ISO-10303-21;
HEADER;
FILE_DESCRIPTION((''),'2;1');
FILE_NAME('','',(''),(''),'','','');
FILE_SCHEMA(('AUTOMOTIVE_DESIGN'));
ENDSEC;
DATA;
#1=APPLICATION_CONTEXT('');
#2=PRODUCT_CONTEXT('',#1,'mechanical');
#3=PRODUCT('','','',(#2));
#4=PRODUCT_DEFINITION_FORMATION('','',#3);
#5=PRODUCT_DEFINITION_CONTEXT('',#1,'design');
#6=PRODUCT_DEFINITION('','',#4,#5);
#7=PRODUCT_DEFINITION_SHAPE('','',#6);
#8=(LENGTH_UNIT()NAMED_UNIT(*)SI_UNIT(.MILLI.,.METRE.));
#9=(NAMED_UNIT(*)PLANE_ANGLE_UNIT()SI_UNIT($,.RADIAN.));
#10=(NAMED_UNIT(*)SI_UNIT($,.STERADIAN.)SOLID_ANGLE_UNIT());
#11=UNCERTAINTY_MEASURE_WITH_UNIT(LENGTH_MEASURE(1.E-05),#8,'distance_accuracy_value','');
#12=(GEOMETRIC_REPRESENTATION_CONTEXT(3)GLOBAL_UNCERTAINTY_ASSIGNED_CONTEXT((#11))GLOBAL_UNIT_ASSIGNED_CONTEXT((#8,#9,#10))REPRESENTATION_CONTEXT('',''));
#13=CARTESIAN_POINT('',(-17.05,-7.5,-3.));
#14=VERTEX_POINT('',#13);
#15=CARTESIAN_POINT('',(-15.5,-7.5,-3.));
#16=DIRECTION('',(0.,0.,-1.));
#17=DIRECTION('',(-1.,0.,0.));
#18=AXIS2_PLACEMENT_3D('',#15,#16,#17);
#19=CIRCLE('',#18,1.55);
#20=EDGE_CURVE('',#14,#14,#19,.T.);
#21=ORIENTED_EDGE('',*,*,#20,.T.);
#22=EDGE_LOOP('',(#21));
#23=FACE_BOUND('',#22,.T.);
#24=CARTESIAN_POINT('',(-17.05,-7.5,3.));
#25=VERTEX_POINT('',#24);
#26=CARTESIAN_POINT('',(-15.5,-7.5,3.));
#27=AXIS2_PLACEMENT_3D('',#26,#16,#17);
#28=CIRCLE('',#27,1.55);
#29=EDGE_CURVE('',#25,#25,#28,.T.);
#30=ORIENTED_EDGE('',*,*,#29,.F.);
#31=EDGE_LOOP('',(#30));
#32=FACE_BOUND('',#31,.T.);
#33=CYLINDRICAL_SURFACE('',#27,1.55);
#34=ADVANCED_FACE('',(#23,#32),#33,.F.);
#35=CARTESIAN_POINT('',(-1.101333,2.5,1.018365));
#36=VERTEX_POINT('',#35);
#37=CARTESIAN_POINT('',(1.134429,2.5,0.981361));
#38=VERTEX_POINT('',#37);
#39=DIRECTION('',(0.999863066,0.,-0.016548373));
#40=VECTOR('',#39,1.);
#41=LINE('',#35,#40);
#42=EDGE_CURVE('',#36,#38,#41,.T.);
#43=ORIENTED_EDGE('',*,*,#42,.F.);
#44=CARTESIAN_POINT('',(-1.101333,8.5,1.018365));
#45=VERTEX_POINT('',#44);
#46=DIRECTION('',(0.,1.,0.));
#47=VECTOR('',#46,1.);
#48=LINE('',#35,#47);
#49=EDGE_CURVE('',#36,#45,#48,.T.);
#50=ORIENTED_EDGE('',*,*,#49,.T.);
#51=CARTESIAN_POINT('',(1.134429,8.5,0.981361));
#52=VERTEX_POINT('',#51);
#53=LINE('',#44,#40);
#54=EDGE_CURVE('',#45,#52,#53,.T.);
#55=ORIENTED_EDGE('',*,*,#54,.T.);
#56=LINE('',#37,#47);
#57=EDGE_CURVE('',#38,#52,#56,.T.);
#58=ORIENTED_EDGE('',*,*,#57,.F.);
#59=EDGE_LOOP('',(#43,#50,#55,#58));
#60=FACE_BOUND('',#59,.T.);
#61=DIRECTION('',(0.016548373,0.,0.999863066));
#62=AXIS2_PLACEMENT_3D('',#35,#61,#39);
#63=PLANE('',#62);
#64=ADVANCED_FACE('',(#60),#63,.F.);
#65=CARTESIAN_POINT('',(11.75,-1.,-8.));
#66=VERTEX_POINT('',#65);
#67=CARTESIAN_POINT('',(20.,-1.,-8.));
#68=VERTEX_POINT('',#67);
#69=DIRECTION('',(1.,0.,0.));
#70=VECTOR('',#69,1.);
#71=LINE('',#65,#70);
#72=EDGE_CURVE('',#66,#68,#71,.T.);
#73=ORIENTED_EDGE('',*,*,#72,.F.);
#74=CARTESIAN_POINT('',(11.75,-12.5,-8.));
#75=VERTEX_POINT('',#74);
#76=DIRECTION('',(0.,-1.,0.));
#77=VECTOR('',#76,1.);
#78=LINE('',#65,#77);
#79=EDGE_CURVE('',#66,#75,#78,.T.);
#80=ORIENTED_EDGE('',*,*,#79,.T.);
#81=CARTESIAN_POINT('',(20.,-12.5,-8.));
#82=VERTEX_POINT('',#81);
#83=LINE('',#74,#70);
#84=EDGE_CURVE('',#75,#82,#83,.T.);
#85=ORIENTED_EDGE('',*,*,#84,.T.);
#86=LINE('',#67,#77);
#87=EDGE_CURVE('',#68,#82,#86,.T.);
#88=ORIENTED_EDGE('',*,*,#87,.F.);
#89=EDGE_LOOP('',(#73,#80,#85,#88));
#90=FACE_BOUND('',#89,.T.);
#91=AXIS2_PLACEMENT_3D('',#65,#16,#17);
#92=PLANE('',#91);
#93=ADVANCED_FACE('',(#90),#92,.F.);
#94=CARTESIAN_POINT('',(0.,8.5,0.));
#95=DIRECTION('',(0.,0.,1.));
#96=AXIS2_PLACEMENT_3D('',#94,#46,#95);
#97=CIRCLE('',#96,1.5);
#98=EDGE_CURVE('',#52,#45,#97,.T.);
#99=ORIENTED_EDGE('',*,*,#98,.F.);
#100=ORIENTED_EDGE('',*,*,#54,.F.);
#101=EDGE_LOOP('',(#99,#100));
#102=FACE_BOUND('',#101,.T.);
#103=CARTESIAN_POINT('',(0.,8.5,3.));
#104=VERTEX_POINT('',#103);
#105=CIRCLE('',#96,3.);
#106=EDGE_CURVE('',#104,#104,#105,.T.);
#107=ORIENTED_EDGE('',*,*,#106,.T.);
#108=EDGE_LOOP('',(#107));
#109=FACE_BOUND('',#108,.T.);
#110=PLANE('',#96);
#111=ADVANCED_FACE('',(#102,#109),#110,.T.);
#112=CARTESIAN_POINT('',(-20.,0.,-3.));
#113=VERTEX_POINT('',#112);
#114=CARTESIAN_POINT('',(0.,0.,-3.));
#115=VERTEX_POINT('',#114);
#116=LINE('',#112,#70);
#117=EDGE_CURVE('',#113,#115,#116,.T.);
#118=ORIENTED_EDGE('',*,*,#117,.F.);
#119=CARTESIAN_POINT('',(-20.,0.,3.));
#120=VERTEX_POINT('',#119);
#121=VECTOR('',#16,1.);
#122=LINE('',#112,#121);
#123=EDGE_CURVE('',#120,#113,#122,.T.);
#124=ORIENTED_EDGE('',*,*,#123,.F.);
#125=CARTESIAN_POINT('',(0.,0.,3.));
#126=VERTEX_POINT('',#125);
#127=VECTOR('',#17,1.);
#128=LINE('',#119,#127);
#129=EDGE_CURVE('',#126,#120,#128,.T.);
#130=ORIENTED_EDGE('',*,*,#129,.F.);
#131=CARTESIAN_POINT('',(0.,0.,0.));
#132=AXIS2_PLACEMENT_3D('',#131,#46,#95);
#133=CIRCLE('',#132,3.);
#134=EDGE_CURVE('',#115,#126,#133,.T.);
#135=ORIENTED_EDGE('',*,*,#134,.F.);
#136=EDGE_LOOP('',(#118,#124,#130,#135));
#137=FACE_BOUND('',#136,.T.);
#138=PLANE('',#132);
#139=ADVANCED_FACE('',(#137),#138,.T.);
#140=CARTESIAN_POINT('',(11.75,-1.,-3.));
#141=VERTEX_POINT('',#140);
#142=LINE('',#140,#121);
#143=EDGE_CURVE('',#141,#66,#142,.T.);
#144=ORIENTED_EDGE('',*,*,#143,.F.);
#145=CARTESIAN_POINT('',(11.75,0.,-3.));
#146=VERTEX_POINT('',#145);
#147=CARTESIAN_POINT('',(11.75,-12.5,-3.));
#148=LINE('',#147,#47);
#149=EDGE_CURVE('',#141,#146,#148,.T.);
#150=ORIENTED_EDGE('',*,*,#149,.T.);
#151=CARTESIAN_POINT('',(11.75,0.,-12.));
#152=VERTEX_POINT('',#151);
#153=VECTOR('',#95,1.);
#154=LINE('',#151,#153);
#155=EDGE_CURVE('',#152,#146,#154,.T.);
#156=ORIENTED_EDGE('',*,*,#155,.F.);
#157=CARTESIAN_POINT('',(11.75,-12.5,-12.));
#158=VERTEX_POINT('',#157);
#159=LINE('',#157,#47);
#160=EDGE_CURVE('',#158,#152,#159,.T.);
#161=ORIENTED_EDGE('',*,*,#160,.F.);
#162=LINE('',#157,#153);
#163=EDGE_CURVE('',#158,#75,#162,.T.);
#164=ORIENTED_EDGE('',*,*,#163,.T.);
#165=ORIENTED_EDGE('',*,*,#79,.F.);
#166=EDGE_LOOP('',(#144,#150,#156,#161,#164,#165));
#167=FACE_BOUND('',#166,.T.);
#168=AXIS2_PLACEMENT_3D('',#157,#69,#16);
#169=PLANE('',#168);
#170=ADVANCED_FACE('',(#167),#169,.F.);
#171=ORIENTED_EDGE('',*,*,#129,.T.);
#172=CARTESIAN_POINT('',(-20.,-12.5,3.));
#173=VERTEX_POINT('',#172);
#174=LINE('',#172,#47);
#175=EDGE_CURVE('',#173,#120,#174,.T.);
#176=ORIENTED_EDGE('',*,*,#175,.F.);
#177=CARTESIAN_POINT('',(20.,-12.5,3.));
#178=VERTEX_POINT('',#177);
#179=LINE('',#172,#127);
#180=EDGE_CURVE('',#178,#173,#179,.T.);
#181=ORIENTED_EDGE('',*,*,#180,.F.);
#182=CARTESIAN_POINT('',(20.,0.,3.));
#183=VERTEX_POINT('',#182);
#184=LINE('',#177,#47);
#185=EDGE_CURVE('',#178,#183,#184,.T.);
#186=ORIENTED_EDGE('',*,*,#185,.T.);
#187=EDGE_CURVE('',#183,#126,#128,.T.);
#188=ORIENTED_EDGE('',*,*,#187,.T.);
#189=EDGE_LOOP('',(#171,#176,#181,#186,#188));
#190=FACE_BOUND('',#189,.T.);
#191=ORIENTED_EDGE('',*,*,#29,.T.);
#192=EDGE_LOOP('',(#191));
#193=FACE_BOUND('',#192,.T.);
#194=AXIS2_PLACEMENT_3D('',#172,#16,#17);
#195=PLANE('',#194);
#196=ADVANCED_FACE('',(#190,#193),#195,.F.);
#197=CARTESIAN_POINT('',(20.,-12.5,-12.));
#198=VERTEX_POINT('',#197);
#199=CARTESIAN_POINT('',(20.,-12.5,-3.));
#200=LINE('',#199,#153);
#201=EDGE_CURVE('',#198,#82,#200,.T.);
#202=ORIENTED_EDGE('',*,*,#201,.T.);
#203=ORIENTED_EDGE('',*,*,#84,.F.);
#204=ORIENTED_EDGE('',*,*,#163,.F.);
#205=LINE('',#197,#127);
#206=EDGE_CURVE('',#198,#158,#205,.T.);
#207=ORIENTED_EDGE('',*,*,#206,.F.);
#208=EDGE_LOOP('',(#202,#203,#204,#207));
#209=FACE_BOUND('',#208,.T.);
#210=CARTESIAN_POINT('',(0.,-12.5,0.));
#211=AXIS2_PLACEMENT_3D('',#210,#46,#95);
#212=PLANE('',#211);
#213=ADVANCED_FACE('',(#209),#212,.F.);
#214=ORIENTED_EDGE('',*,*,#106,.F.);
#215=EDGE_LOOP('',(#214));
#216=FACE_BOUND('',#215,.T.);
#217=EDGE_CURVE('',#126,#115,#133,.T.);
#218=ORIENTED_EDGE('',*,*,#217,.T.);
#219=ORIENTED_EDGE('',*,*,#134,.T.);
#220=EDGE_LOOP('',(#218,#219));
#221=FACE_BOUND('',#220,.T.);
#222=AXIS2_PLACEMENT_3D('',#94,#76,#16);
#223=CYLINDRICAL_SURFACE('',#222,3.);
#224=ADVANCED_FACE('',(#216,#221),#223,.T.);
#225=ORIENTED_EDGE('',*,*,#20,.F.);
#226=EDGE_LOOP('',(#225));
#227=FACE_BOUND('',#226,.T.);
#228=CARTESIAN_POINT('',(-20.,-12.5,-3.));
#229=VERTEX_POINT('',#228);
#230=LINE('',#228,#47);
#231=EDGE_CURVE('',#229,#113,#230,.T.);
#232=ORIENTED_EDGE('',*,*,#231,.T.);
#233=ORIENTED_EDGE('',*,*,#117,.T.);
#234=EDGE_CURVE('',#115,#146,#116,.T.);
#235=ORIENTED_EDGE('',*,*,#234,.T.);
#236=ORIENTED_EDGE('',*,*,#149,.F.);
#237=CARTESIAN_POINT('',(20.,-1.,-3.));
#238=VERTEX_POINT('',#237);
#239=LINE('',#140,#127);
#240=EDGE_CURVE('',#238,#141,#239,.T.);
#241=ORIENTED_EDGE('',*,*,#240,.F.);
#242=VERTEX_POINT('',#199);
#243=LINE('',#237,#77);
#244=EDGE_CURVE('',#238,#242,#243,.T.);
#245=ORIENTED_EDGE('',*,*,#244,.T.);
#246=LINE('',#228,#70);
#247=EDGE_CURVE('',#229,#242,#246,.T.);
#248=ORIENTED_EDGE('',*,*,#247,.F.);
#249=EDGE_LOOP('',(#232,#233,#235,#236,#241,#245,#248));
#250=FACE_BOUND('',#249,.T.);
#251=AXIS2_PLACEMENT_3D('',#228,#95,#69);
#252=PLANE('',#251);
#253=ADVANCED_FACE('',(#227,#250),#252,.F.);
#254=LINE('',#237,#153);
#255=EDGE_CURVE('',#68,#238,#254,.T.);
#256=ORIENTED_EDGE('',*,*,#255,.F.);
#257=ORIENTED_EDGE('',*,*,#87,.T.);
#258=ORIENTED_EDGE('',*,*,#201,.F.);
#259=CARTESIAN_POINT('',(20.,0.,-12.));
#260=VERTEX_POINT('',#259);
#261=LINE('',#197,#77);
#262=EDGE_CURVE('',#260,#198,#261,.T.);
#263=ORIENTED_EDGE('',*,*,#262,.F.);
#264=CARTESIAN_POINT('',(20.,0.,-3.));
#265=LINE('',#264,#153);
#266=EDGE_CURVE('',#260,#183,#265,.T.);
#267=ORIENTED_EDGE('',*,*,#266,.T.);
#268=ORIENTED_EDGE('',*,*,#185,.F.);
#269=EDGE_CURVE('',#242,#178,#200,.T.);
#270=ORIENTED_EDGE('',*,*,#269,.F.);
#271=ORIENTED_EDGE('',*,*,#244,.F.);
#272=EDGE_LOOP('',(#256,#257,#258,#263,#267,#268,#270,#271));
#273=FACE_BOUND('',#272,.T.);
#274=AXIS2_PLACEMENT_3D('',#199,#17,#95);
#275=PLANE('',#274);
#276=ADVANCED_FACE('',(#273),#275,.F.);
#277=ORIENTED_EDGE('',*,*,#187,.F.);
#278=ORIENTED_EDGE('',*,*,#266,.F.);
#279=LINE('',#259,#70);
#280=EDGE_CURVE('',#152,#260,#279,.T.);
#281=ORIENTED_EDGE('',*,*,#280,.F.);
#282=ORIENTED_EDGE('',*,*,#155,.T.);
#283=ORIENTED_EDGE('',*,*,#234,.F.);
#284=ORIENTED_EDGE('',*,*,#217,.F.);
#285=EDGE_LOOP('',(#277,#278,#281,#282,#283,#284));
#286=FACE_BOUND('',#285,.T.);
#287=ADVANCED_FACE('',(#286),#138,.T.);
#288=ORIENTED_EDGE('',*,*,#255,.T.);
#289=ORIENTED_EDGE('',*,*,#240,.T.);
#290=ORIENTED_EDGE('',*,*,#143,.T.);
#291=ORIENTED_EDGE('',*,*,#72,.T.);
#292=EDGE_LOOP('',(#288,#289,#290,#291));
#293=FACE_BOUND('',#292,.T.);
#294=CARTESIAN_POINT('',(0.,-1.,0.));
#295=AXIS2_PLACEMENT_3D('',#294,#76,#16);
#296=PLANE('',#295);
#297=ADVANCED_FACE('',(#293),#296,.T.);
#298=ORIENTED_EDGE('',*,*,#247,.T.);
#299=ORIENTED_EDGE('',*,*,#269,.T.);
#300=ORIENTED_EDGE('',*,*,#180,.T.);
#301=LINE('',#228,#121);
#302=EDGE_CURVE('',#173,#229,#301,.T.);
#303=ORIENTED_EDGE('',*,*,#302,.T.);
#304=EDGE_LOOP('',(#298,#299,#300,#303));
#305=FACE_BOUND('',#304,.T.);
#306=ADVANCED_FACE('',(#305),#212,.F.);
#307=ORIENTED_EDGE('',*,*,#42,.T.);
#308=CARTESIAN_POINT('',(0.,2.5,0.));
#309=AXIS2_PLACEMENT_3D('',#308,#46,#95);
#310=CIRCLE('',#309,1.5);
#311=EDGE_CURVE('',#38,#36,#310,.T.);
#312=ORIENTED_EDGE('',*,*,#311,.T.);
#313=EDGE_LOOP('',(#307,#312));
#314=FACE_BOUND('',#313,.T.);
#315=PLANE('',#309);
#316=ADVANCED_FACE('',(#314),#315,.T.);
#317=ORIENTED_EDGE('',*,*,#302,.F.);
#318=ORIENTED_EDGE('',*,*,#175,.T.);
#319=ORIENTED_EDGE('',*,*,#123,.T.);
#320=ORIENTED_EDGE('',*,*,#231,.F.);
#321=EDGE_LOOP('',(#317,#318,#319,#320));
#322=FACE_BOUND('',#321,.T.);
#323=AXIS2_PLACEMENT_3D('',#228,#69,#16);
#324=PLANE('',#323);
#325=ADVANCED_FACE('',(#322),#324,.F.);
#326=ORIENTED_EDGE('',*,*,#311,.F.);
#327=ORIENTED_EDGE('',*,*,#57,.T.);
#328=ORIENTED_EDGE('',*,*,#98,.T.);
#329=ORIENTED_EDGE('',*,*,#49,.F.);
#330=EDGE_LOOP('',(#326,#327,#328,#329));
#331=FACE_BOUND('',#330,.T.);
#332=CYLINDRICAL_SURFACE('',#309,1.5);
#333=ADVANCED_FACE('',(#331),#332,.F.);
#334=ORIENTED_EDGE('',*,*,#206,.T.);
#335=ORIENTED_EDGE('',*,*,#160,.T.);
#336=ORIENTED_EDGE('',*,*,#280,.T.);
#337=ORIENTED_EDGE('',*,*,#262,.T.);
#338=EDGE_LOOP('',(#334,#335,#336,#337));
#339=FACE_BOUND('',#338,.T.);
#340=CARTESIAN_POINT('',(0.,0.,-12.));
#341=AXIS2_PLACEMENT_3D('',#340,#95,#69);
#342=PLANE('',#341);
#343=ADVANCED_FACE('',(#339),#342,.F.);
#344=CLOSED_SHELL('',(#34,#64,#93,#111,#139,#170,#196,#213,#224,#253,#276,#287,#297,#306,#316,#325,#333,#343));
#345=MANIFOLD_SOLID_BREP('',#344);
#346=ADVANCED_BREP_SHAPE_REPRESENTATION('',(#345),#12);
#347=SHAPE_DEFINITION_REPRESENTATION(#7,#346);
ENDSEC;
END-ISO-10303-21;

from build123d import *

# Parameters (mm, degrees)
SKETCH1_R           = 3
BOSS_EXTRUDE1_DEPTH = 8.5
CUT_EXTRUDE1_DEPTH  = 6
SKETCH3_W           = 40
SKETCH3_H           = 6
BOSS_EXTRUDE2_DEPTH = 12.5
SKETCH4_R           = 1.55
CUT_EXTRUDE2_DEPTH  = 25.336187047
SKETCH6_W           = 8.25
SKETCH6_H           = 12.5
BOSS_EXTRUDE3_DEPTH = 9
SKETCH7_W           = 8.25
SKETCH7_H           = 5
CUT_EXTRUDE3_DEPTH  = 11.5


with BuildPart() as part:
    # Sketch1 → Boss-Extrude1 (new body)
    with BuildSketch(Plane(origin=(0, 0, 0), x_dir=(1, 0, 0), z_dir=(0, 1, 0))):
        with Locations(Location((0, 0, 0), (0, 0, 270))):
            Circle(SKETCH1_R)
    extrude(amount=BOSS_EXTRUDE1_DEPTH)

    # Sketch2 → Cut-Extrude1 (cut)
    with BuildSketch(Plane(origin=(0, 8.5, 0), x_dir=(1, 0, 0), z_dir=(0, 1, 0))):
        with BuildLine():
            Line((-1.101332519, -1.01836471), (1.134429265, -0.981361423))
            ThreePointArc((1.134429265, -0.981361423), (-0.02482256, 1.499794599), (-1.101332519, -1.01836471))
        make_face()
    extrude(amount=-CUT_EXTRUDE1_DEPTH, mode=Mode.SUBTRACT)

    # Sketch3 → Boss-Extrude2 (add)
    with BuildSketch(Plane.XZ):
        Rectangle(SKETCH3_W, SKETCH3_H)
    extrude(amount=BOSS_EXTRUDE2_DEPTH)

    # Sketch4 → Cut-Extrude2 (cut, through all)
    with BuildSketch(Plane(origin=(0, 0, -3), x_dir=(-1, 0, 0), z_dir=(0, 0, -1))):
        with Locations((15.5, -7.5)):
            Circle(SKETCH4_R)
    extrude(amount=-CUT_EXTRUDE2_DEPTH, mode=Mode.SUBTRACT)

    # Sketch6 → Boss-Extrude3 (add)
    with BuildSketch(Plane(origin=(0, 0, -3), x_dir=(-1, 0, 0), z_dir=(0, 0, -1))):
        with Locations((-15.875, -6.25)):
            Rectangle(SKETCH6_W, SKETCH6_H)
    extrude(amount=BOSS_EXTRUDE3_DEPTH)

    # Sketch7 → Cut-Extrude3 (cut)
    with BuildSketch(Plane.XZ.offset(12.5)):
        with Locations((15.875, -5.5)):
            Rectangle(SKETCH7_W, SKETCH7_H)
    extrude(amount=-CUT_EXTRUDE3_DEPTH, mode=Mode.SUBTRACT)


solid = part.part
